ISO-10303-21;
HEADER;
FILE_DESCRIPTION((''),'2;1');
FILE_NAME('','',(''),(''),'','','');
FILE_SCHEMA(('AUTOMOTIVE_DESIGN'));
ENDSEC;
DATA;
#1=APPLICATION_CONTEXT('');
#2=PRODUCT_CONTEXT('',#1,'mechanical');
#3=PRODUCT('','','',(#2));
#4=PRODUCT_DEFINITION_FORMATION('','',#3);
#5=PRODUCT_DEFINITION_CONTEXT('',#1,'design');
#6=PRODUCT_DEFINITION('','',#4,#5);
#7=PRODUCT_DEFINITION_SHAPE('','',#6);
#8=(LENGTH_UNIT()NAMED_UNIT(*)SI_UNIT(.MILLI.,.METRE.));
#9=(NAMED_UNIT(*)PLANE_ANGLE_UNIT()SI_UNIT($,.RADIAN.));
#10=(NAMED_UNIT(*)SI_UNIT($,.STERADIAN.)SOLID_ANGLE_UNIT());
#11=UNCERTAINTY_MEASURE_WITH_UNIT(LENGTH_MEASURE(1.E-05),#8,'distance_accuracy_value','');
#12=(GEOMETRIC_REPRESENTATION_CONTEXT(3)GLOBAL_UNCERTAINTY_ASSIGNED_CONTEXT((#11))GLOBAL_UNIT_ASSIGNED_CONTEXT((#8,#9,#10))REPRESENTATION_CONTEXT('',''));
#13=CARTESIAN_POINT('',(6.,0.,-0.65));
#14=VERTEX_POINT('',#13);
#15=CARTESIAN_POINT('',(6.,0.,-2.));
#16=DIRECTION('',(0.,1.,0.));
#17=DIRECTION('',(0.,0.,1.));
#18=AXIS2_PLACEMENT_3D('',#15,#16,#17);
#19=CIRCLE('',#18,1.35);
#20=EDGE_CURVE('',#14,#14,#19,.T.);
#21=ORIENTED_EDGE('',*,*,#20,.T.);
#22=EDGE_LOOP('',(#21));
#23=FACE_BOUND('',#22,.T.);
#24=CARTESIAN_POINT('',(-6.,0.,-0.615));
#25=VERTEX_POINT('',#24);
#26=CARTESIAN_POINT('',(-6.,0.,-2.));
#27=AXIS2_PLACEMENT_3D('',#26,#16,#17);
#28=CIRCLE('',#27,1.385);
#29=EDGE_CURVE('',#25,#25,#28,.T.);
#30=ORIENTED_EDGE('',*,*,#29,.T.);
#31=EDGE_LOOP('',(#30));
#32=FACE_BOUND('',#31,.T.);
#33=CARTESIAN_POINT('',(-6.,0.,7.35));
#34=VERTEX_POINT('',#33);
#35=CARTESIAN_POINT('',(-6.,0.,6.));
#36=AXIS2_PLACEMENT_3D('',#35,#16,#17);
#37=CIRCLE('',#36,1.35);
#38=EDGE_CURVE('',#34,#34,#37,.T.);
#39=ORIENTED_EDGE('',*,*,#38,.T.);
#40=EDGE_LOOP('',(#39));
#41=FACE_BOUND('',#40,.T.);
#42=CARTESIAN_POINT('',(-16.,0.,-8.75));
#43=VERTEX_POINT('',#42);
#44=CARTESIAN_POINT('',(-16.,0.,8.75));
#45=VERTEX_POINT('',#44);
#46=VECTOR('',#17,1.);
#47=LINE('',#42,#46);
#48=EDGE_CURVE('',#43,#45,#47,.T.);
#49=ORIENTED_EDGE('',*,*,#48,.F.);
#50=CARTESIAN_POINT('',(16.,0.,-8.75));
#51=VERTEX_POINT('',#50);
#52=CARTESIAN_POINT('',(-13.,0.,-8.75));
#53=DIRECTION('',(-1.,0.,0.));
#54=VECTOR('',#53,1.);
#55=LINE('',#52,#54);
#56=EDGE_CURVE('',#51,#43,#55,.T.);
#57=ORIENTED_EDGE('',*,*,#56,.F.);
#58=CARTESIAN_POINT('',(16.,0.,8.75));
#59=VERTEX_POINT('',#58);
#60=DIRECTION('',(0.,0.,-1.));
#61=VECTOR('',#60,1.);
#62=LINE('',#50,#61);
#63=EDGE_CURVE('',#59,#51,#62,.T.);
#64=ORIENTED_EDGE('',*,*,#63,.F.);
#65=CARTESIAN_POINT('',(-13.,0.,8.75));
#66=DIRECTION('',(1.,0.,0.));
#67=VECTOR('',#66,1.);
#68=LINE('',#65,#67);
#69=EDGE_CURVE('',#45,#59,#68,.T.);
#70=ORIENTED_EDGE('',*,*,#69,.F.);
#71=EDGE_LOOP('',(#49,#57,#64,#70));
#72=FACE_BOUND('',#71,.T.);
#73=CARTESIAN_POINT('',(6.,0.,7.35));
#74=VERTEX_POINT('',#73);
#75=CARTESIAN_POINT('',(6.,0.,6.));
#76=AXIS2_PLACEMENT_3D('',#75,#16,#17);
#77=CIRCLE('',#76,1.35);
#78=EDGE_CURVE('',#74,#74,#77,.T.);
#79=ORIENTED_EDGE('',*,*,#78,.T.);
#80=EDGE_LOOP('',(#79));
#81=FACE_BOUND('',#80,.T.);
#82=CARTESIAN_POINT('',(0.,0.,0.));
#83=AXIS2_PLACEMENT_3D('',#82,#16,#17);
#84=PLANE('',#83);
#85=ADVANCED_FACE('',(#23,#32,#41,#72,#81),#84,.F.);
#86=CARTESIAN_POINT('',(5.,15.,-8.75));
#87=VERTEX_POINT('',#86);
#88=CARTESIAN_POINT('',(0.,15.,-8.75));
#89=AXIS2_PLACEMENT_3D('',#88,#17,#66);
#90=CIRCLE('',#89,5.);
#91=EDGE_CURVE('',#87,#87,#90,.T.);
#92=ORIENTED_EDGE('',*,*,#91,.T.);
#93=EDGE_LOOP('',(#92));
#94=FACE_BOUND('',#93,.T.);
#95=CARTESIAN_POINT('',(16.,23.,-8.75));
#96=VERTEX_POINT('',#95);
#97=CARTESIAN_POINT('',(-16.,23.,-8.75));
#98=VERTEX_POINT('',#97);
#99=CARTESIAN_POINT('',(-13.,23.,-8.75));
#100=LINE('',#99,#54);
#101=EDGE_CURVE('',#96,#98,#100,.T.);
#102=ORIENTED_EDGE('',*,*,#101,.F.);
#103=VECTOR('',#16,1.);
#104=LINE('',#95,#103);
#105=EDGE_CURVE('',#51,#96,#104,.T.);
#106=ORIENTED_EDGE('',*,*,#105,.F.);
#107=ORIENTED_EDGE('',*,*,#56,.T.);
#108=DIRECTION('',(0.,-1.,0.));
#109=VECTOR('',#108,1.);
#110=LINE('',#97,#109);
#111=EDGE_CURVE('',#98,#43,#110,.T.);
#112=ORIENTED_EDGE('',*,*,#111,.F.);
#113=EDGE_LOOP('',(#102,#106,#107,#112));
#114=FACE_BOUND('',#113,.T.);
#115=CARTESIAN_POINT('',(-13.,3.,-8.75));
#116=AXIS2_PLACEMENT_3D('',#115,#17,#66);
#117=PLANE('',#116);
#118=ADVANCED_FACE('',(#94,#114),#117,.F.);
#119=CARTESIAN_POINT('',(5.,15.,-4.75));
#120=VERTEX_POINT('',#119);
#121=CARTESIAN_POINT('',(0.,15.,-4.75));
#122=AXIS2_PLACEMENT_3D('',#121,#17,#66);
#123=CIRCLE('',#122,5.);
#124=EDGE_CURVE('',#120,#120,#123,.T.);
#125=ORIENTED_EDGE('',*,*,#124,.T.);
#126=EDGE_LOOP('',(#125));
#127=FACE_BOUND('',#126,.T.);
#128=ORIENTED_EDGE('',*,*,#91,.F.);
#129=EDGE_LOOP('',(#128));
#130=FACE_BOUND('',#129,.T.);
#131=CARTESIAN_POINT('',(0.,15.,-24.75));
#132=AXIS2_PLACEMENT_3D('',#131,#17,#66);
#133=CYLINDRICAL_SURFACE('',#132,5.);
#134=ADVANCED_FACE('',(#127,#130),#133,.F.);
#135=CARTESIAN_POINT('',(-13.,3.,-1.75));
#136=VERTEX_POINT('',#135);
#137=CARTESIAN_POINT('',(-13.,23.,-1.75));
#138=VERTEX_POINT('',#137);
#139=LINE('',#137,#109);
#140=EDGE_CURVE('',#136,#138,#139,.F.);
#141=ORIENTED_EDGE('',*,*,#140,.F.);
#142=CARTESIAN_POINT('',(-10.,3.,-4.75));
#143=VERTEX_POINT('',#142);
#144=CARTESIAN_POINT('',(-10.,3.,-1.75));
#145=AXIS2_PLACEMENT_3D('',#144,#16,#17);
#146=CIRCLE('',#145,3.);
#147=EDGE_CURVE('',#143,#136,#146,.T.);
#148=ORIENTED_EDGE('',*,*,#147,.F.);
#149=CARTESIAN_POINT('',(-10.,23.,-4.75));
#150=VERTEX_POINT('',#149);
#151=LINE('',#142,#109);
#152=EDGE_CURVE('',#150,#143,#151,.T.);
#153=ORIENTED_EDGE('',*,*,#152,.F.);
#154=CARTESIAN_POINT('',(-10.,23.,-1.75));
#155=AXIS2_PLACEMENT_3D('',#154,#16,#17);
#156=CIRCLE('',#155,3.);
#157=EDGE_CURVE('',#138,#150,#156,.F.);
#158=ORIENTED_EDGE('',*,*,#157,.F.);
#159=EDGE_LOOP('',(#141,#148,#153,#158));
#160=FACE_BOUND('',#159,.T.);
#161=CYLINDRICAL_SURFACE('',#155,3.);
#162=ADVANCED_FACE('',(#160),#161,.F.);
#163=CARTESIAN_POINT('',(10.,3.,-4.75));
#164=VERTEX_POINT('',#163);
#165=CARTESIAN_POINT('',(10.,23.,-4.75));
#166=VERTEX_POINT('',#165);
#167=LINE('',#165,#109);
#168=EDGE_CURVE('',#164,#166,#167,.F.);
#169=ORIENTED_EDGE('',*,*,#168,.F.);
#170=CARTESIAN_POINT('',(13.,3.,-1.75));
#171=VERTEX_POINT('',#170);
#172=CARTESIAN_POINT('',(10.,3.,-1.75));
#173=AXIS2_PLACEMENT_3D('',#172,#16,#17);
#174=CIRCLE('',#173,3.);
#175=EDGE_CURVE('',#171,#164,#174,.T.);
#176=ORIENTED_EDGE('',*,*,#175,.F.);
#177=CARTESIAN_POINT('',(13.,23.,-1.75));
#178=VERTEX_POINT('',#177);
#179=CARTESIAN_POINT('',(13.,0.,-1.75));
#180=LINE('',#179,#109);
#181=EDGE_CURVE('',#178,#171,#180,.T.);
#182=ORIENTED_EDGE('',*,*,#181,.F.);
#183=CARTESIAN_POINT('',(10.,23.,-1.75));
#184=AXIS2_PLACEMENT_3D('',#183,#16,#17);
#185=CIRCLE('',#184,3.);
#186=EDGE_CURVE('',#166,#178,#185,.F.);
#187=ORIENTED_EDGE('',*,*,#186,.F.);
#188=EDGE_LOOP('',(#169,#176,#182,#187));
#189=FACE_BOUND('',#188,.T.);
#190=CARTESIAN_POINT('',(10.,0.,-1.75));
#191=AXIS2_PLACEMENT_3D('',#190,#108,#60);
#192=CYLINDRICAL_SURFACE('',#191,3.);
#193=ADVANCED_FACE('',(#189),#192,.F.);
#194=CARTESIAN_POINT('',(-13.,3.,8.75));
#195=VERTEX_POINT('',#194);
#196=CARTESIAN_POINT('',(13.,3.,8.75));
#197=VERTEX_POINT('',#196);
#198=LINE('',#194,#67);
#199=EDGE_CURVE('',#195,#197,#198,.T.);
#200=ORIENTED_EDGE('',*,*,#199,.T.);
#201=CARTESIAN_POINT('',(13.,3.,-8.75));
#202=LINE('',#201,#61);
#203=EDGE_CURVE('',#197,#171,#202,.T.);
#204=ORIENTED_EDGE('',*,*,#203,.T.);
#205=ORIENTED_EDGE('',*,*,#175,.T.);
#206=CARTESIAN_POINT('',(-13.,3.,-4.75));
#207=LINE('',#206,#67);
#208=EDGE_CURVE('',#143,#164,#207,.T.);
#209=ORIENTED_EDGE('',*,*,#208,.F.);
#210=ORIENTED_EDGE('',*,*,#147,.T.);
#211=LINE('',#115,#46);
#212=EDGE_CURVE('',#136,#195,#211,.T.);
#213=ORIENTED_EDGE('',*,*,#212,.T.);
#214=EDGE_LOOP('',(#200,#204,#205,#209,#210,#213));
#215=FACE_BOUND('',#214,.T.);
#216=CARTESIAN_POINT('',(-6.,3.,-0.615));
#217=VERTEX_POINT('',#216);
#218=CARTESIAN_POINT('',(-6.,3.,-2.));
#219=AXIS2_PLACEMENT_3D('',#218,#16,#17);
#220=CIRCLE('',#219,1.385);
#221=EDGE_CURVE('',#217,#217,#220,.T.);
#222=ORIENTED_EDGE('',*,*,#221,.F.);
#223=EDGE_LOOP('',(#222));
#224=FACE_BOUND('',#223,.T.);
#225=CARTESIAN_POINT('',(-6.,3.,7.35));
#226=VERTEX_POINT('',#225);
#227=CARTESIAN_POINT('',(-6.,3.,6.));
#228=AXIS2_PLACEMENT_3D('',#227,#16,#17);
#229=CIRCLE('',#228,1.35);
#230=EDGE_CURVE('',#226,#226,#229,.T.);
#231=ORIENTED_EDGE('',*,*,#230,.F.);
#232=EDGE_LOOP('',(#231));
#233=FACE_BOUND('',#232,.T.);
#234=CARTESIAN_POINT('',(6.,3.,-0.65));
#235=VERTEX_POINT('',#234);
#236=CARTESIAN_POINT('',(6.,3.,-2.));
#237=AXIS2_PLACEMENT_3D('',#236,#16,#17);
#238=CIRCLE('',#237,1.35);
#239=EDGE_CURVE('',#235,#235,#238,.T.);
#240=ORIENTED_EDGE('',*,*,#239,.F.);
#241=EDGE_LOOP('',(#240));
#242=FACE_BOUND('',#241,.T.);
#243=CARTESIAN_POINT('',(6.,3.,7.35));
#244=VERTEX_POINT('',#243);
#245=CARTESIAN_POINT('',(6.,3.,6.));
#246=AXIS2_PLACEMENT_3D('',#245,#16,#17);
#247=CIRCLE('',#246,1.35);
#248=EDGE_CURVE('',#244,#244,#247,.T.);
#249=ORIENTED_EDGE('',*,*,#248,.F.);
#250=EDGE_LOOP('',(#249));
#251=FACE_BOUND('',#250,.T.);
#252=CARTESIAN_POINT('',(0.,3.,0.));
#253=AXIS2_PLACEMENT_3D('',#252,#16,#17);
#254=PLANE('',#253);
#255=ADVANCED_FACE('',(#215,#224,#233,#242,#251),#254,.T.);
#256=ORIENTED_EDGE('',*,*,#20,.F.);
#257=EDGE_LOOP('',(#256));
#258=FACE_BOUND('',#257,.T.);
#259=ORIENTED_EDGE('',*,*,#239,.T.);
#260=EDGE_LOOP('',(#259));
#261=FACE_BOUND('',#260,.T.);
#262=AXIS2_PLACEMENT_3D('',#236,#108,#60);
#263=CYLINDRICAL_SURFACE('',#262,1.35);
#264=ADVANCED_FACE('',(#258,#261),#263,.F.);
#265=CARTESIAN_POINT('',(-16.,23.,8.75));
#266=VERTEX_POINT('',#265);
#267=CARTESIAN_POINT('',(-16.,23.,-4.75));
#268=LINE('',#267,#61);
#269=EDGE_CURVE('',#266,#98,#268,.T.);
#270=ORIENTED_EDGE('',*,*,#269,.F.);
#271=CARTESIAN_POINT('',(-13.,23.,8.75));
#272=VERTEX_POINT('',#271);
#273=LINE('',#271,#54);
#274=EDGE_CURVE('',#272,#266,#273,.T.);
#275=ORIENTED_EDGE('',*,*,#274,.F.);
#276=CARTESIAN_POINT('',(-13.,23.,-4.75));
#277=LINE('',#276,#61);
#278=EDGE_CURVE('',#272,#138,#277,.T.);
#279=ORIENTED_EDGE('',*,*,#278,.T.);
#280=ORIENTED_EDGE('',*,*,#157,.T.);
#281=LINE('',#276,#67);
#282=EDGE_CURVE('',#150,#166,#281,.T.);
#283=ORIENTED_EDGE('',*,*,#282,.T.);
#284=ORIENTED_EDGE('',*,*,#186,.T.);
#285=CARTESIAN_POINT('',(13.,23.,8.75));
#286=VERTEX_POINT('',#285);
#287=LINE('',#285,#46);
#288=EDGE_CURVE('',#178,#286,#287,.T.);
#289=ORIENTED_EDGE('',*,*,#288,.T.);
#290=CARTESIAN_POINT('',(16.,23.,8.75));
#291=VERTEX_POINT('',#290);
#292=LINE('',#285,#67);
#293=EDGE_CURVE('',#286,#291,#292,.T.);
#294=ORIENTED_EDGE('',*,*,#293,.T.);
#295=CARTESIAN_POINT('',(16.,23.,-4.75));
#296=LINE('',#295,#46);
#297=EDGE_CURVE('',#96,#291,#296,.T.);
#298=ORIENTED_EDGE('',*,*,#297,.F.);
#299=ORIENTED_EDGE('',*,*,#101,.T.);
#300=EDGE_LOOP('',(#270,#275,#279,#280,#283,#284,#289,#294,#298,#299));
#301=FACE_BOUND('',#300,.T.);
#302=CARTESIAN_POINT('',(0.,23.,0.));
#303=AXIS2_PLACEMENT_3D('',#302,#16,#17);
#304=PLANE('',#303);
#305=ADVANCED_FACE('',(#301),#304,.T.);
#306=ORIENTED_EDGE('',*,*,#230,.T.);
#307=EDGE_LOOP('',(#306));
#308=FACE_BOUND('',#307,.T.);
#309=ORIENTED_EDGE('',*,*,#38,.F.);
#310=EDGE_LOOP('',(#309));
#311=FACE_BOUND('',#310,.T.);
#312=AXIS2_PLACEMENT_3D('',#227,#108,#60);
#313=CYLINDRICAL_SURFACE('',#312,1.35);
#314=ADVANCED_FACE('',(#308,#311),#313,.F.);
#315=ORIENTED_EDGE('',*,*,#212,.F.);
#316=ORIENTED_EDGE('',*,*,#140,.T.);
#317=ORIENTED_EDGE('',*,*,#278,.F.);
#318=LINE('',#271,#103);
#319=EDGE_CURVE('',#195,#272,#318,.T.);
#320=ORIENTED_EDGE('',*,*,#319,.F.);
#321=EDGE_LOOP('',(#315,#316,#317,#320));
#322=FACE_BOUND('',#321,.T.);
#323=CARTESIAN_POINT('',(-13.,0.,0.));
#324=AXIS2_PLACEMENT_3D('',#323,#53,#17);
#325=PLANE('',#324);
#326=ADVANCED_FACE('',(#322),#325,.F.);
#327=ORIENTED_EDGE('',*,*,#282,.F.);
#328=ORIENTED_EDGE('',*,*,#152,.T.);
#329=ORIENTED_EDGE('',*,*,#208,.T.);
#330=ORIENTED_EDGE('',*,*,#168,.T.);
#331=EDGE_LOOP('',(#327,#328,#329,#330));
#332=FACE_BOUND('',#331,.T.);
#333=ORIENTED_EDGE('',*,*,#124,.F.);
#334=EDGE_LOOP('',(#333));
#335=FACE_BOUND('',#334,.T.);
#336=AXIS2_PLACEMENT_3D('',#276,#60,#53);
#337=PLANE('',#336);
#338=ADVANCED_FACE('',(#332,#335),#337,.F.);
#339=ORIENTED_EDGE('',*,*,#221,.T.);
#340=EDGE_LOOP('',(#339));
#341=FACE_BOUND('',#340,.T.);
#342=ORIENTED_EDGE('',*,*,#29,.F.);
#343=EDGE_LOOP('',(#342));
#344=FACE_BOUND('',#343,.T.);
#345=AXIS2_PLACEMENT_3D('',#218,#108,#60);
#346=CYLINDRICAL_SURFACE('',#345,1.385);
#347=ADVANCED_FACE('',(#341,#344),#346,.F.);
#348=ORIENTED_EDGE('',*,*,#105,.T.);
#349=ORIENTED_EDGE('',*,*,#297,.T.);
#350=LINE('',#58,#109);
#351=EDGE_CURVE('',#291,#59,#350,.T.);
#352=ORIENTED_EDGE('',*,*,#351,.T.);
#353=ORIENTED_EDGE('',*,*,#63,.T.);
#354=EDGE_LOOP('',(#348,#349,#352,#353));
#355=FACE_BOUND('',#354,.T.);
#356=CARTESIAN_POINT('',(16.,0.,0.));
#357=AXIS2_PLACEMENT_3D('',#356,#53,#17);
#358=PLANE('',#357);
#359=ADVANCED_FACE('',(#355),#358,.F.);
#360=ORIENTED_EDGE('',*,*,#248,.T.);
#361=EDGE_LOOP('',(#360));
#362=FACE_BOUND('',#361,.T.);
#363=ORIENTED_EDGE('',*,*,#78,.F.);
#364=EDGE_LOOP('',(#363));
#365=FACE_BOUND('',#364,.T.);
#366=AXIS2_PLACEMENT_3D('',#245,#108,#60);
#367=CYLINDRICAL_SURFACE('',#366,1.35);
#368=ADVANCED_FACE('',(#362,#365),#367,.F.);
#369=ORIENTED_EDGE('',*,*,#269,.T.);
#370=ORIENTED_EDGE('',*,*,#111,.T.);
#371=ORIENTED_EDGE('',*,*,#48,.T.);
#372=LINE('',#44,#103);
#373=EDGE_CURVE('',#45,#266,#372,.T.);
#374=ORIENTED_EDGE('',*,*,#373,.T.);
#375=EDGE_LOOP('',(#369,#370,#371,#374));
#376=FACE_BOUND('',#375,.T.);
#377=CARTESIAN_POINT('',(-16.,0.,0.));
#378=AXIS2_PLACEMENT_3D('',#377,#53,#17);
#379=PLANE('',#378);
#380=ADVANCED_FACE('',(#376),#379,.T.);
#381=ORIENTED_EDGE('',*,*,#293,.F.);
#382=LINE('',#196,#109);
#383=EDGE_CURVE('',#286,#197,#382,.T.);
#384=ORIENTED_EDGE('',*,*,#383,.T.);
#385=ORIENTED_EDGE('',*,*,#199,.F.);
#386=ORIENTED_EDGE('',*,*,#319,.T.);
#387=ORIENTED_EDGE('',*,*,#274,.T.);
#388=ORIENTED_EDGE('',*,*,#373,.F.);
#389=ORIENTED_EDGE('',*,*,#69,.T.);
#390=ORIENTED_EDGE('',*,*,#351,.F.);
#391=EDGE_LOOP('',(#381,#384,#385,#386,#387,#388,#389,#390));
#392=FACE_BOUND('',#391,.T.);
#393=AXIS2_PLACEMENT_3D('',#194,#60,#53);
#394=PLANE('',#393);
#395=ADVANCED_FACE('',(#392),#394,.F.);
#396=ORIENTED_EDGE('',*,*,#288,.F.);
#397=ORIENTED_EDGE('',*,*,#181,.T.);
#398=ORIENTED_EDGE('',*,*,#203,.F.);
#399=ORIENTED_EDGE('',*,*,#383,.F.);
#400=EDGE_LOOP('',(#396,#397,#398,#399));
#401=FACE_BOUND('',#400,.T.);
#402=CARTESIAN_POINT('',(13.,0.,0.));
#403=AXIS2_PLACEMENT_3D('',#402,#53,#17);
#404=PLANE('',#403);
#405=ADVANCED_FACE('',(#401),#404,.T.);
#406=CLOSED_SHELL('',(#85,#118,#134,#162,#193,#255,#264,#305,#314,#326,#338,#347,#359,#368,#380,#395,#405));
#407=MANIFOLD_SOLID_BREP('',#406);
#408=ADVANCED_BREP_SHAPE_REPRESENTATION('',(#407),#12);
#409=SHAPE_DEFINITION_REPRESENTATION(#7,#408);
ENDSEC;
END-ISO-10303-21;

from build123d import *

# Parameters (mm, degrees)
SKETCH_1_W          = 26
SKETCH_1_H          = 17.5
SKETCH_1_R          = 1.385
SKETCH_1_R_2        = 1.35
EXTRUDE_1_DEPTH     = 3
SKETCH_2_W          = 26
SKETCH_2_H          = 4
EXTRUDE_2_DEPTH     = 20
SKETCH_3_R          = 5
CUT_EXTRUDE_1_DEPTH = 20
EXTRUDE_3_DEPTH     = 3
EXTRUDE_4_DEPTH     = 3
EXTRUDE_5_DEPTH     = 3
EXTRUDE_6_DEPTH     = 3
FILLET_1_R          = 3


with BuildPart() as part:
    # 草图1 → 凸台-拉伸1 (new body)
    with BuildSketch(Plane(origin=(0, 0, 0), x_dir=(1, 0, 0), z_dir=(0, 1, 0))):
        Rectangle(SKETCH_1_W, SKETCH_1_H)
        with Locations((-6, 2)):
            Circle(SKETCH_1_R, mode=Mode.SUBTRACT)
        with Locations((-6, -6)):
            Circle(SKETCH_1_R_2, mode=Mode.SUBTRACT)
        with Locations((6, 2)):
            Circle(SKETCH_1_R_2, mode=Mode.SUBTRACT)
        with Locations((6, -6)):
            Circle(SKETCH_1_R_2, mode=Mode.SUBTRACT)
    extrude(amount=EXTRUDE_1_DEPTH)

    # 草图2 → 凸台-拉伸2 (add)
    with BuildSketch(Plane(origin=(0, 3, 0), x_dir=(1, 0, 0), z_dir=(0, 1, 0))):
        with Locations((0, 6.75)):
            Rectangle(SKETCH_2_W, SKETCH_2_H)
    extrude(amount=EXTRUDE_2_DEPTH)

    # 草图3 → 切除-拉伸1 (cut)
    with BuildSketch(Plane.XY.offset(-4.75)):
        with Locations((0, 15)):
            Circle(SKETCH_3_R)
    extrude(amount=-CUT_EXTRUDE_1_DEPTH, mode=Mode.SUBTRACT)

    # 草图4 → 凸台-拉伸3 (add)
    with BuildSketch(Plane.ZY.offset(13)):
        Polygon((-8.75, 23), (-8.75, 0), (8.75, 0), (8.75, 3), (-4.75, 23), align=None)
    extrude(amount=EXTRUDE_3_DEPTH)

    # 草图5 → 凸台-拉伸4 (add)
    with BuildSketch(Plane(origin=(13, 0, 0), x_dir=(0, 0, -1), z_dir=(1, 0, 0))):
        Polygon((8.75, 0), (-8.75, 0), (-8.75, 3), (4.75, 23), (8.75, 23), align=None)
    extrude(amount=EXTRUDE_4_DEPTH)

    # 草图6 → 凸台-拉伸5 (add)
    with BuildSketch(Plane.ZY.offset(16)):
        Polygon((-4.75, 23), (8.75, 23), (8.75, 3), align=None)
    extrude(amount=-EXTRUDE_5_DEPTH)

    # 草图8 → 凸台-拉伸6 (add)
    with BuildSketch(Plane(origin=(16, 0, 0), x_dir=(0, 0, -1), z_dir=(1, 0, 0))):
        Polygon((-8.75, 3), (-8.75, 23), (4.75, 23), align=None)
    extrude(amount=-EXTRUDE_6_DEPTH)

    # 圆角1
    fillet_1_edges = [part.edges().sort_by_distance(p)[0] for p in [
        (-13, 13, -4.75),
        (13, 13, -4.75),
    ]]
    fillet(fillet_1_edges, radius=FILLET_1_R)


solid = part.part
